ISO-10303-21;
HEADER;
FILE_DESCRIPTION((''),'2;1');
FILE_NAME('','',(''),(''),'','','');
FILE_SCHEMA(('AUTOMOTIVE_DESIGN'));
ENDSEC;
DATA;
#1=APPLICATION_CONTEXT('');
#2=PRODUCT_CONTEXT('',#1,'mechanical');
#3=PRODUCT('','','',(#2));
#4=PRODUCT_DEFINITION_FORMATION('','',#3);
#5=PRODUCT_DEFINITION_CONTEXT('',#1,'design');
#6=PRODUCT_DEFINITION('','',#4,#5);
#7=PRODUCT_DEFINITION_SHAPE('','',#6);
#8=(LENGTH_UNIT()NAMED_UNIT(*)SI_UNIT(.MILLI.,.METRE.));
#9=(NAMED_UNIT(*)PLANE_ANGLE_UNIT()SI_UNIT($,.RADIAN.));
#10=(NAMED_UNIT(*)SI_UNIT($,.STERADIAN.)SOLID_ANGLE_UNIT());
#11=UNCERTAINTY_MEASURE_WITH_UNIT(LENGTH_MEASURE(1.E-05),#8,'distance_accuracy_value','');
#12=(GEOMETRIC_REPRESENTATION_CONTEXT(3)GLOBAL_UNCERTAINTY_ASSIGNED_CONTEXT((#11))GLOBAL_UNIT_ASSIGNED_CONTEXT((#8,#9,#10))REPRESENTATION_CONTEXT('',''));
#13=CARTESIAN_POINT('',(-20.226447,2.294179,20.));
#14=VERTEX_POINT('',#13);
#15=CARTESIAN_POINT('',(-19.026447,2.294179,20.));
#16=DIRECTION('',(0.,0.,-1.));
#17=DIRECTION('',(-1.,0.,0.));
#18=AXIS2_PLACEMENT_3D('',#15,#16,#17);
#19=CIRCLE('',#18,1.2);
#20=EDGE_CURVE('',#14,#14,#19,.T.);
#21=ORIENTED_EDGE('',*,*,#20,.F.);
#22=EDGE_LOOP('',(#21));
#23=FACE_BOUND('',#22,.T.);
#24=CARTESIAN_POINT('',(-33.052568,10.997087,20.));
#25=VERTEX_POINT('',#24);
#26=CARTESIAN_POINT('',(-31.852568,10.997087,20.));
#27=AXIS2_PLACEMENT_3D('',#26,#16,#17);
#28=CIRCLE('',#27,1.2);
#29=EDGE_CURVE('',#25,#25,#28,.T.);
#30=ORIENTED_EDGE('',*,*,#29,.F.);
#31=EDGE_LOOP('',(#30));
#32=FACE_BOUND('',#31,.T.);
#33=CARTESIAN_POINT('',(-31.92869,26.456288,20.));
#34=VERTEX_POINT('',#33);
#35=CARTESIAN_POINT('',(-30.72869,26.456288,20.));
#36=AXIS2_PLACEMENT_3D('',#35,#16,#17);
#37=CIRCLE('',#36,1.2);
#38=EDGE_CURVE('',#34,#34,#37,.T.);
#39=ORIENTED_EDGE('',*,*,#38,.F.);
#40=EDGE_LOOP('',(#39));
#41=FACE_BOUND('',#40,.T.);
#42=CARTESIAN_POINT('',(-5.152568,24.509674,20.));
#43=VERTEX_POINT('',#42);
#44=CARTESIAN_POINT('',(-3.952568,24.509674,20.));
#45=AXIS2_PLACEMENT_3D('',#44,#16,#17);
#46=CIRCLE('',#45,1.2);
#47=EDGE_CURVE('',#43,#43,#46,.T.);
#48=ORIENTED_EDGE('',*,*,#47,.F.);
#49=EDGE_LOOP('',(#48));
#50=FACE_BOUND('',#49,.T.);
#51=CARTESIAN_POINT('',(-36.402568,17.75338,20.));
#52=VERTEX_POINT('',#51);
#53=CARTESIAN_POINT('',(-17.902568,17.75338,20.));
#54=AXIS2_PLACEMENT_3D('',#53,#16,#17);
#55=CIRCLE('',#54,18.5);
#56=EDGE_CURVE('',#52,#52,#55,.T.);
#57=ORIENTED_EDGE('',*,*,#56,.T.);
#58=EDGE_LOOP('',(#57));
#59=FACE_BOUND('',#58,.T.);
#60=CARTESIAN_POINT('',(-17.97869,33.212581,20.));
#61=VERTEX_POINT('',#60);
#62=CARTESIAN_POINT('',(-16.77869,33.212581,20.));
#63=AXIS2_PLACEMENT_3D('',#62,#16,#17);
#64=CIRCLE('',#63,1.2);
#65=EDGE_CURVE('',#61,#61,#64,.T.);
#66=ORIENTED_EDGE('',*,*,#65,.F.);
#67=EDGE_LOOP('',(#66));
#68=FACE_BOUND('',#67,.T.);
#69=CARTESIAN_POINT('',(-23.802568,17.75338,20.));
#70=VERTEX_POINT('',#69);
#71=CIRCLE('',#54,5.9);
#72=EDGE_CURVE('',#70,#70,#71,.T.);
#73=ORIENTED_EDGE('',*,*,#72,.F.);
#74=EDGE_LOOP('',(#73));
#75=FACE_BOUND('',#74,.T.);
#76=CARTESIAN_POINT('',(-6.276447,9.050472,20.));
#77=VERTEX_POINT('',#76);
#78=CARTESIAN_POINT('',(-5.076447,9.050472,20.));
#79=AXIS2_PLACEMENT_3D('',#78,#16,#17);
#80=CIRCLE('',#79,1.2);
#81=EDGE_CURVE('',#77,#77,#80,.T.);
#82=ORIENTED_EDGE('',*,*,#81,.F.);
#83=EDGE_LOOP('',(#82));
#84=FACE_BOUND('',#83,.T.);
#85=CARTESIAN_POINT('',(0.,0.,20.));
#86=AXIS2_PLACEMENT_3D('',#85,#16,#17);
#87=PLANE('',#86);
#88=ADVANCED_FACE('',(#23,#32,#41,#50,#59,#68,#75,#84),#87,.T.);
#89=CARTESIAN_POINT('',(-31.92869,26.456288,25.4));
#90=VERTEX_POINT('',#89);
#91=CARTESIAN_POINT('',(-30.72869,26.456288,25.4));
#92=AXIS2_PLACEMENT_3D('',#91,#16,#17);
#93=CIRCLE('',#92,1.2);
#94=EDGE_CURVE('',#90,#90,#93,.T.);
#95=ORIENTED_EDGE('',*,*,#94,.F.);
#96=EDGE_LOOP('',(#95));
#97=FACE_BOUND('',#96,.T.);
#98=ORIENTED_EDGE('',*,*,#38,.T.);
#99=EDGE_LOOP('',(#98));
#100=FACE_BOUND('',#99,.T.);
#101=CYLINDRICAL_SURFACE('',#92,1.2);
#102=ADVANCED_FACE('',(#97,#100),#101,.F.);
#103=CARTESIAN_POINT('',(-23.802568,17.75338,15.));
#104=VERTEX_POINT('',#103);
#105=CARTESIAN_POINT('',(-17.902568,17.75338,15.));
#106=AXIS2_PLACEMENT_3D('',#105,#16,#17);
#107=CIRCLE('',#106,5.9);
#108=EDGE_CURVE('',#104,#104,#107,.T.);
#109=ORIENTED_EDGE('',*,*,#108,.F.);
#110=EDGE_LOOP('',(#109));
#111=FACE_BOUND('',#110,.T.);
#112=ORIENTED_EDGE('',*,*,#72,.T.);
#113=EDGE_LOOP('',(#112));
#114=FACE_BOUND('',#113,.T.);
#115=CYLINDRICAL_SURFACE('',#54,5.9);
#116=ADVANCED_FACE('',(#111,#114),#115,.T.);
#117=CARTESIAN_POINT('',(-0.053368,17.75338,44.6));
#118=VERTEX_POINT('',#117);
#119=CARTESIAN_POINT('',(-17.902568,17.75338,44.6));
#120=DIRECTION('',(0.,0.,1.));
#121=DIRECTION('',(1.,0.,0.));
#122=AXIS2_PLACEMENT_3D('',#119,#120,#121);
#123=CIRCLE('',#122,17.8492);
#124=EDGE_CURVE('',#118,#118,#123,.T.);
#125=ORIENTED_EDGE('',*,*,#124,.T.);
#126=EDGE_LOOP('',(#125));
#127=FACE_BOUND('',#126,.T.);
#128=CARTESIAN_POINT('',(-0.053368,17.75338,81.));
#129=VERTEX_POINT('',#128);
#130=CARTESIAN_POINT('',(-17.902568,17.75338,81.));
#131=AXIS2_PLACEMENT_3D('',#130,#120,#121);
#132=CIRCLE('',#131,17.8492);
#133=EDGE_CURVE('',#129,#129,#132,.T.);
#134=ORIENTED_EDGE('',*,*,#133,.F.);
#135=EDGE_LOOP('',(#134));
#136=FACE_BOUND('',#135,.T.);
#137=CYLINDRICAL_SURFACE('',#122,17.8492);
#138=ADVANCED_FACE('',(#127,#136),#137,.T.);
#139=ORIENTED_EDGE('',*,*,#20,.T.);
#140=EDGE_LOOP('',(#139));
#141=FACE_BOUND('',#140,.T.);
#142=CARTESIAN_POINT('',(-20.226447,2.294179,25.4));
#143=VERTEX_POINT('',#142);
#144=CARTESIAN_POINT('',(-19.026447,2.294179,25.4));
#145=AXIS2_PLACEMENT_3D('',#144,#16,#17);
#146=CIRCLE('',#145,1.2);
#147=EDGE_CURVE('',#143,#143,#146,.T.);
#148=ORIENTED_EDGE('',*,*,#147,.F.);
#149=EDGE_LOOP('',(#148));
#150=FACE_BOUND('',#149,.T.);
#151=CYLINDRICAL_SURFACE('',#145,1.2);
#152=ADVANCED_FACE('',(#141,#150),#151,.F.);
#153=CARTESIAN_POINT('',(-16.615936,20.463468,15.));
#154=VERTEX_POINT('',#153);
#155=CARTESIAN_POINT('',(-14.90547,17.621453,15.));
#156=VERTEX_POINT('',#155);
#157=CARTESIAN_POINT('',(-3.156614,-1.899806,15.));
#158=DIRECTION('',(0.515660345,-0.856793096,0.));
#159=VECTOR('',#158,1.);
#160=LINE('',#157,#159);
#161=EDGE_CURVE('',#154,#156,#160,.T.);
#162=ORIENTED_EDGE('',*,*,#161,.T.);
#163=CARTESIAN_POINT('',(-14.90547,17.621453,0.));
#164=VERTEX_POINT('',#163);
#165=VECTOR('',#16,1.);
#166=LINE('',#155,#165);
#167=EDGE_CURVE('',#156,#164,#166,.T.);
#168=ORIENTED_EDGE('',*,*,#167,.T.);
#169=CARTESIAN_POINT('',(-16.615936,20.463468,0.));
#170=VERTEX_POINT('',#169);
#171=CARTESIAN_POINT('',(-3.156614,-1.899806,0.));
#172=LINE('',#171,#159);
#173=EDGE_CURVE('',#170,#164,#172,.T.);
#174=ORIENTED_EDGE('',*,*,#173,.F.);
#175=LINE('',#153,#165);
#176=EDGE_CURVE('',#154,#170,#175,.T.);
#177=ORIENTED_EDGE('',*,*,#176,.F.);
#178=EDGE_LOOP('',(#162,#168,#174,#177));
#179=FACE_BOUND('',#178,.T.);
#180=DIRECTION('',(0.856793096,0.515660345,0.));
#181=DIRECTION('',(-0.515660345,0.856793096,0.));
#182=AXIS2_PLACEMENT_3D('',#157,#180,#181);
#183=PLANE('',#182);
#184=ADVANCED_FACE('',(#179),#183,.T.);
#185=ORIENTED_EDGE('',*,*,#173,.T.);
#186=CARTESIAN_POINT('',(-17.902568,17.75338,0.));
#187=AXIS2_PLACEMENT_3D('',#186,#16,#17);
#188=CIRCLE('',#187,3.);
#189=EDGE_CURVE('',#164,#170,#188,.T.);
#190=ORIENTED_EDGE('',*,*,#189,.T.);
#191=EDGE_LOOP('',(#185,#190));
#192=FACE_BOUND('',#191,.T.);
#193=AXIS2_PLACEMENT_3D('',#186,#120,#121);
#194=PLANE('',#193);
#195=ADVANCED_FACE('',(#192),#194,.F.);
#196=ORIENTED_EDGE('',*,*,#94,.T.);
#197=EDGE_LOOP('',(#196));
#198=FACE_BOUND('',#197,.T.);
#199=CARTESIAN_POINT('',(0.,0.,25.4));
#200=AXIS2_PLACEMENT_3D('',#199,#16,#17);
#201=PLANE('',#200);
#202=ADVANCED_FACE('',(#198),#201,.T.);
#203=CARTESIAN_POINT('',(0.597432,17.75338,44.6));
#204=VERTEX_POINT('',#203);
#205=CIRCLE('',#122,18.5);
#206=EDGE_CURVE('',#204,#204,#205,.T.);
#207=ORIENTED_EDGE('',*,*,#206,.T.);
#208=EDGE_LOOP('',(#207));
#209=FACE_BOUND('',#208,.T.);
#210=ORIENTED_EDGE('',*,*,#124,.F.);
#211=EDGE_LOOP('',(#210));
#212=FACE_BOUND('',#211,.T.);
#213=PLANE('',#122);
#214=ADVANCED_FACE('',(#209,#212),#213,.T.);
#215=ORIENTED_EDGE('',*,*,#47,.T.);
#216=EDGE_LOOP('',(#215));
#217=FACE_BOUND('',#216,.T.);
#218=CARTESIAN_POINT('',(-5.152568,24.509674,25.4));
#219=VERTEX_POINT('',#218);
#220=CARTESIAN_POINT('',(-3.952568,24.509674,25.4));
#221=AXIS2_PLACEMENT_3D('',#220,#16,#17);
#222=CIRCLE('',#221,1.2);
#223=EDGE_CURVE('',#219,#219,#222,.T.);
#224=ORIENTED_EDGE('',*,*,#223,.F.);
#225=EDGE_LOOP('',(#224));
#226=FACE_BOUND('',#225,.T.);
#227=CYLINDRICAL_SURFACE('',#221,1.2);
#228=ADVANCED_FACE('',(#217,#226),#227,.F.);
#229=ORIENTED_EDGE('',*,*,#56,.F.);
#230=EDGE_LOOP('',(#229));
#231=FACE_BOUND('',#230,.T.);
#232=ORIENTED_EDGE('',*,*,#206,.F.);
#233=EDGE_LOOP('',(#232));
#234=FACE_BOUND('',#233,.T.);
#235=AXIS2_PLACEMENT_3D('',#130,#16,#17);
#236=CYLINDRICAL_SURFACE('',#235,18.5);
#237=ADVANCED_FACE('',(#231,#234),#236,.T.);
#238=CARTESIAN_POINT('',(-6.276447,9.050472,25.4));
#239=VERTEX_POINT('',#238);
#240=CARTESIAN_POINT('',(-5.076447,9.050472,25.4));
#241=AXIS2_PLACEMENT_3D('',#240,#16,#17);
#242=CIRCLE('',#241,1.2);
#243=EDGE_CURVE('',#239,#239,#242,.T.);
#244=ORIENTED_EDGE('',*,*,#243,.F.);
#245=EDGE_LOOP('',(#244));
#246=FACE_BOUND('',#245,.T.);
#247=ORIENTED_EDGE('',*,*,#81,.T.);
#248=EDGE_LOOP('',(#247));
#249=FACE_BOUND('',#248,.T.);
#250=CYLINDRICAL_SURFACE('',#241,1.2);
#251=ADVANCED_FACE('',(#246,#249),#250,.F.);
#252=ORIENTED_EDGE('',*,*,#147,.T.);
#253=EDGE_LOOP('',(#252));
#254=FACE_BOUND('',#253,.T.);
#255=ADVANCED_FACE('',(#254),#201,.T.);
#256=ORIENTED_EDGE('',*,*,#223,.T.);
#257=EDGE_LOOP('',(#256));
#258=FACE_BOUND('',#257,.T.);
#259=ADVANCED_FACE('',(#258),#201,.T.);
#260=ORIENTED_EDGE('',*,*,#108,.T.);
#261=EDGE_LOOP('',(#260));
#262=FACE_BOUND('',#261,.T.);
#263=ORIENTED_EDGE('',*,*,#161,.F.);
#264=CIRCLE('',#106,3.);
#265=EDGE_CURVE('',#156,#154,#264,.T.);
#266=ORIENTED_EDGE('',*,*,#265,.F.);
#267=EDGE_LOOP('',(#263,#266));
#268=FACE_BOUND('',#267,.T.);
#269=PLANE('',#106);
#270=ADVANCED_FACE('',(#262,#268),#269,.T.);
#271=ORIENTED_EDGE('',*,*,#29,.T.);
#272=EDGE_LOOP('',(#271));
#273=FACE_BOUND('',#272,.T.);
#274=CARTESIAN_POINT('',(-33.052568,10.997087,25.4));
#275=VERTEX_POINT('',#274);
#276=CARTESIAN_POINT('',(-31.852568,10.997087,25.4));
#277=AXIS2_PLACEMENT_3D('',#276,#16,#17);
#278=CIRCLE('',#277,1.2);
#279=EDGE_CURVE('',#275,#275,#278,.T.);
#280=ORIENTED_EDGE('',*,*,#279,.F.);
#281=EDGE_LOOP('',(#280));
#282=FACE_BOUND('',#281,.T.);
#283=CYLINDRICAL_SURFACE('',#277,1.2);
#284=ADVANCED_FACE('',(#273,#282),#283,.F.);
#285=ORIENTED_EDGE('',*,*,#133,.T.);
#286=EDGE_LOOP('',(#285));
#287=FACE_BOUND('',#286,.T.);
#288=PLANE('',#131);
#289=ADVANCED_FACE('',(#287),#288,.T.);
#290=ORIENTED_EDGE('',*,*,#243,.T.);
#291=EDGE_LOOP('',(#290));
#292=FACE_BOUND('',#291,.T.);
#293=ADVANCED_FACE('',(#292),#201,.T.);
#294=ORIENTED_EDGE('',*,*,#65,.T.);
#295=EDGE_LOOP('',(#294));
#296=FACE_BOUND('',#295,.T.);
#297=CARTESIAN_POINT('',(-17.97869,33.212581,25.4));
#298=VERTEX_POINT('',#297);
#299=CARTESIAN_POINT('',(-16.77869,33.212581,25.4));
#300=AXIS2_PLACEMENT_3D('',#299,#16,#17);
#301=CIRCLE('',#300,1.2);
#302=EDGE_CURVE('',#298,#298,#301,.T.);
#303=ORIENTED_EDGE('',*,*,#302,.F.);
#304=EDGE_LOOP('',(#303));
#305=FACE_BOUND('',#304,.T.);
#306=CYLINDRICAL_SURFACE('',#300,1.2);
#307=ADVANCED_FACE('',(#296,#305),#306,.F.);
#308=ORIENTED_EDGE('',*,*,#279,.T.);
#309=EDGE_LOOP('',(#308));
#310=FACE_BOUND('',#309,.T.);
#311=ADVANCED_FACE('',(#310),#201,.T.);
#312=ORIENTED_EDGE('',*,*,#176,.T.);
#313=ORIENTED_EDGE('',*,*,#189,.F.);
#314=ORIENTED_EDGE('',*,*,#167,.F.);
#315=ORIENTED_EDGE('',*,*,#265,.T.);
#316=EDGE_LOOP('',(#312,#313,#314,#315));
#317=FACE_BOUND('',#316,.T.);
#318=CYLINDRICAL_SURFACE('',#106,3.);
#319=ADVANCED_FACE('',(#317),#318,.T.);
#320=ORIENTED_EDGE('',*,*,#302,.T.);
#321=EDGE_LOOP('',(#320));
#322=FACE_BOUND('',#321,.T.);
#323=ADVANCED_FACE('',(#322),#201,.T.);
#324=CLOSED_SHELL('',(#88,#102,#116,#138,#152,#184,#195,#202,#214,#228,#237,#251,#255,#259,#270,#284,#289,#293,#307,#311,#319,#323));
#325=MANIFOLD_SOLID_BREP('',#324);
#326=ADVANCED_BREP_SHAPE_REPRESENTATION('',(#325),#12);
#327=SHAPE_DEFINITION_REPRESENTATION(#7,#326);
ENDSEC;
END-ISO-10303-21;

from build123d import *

# Parameters (mm, degrees)
SKETCH2_R           = 18.499999957
BOSS_EXTRUDE1_DEPTH = 81
SKETCH3_R           = 34.5
SKETCH3_R_2         = 5.9
CUT_EXTRUDE1_DEPTH  = 20
SKETCH4_R           = 5.9
SKETCH4_R_2         = 3
CUT_EXTRUDE2_DEPTH  = 15
SKETCH6_R           = 34.5
SKETCH6_R_2         = 17.849200014
CUT_EXTRUDE3_DEPTH  = 36.4
CUT_EXTRUDE11_DEPTH = 15
CUT_EXTRUDE13_DEPTH = 25.4


with BuildPart() as part:
    # Sketch2 → Boss-Extrude1 (new body)
    with BuildSketch(Plane.XY):
        with Locations((-17.902568237, 17.753380168)):
            Circle(SKETCH2_R)
    extrude(amount=BOSS_EXTRUDE1_DEPTH)

    # Sketch3 → Cut-Extrude1 (cut)
    with BuildSketch(Plane(origin=(0, 0, 0), x_dir=(-1, 0, 0), z_dir=(0, 0, -1))):
        with Locations((17.902568237, 17.753380168)):
            Circle(SKETCH3_R)
        with Locations((17.902568237, 17.753380168)):
            Circle(SKETCH3_R_2, mode=Mode.SUBTRACT)
    extrude(amount=-CUT_EXTRUDE1_DEPTH, mode=Mode.SUBTRACT)

    # Sketch4 → Cut-Extrude2 (cut)
    with BuildSketch(Plane(origin=(0, 0, 0), x_dir=(-1, 0, 0), z_dir=(0, 0, -1))):
        with Locations((17.902568237, 17.753380168)):
            Circle(SKETCH4_R)
        with Locations((17.902568237, 17.753380168)):
            Circle(SKETCH4_R_2, mode=Mode.SUBTRACT)
    extrude(amount=-CUT_EXTRUDE2_DEPTH, mode=Mode.SUBTRACT)

    # Sketch6 → Cut-Extrude3 (cut)
    with BuildSketch(Plane.XY.offset(81)):
        with Locations((-17.902568237, 17.753380168)):
            Circle(SKETCH6_R)
        with Locations((-17.902568237, 17.753380168)):
            Circle(SKETCH6_R_2, mode=Mode.SUBTRACT)
    extrude(amount=-CUT_EXTRUDE3_DEPTH, mode=Mode.SUBTRACT)

    # Sketch12 → Cut-Extrude11 (cut)
    with BuildSketch(Plane(origin=(0, 0, 0), x_dir=(-1, 0, 0), z_dir=(0, 0, -1))):
        with BuildLine():
            Line((14.905470459, 17.621452506), (15.747198213, 19.020021419))
            Line((15.747198213, 19.020021419), (16.615935607, 20.463468077))
            ThreePointArc((16.615935607, 20.463468077), (15.33218895, 19.300361203), (14.905470459, 17.621452506))
        make_face()
    extrude(amount=-CUT_EXTRUDE11_DEPTH, mode=Mode.SUBTRACT)

    # Sketch13 → Cut-Extrude13 (cut)
    with BuildSketch(Plane(origin=(0, 0, 0), x_dir=(-1, 0, 0), z_dir=(0, 0, -1))):
        with BuildLine():
            ThreePointArc((5.152568237, 24.509673531), (5.099648896, 24.862102191), (4.945558303, 25.18344703))
            Line((4.945558303, 25.18344703), (3.952568237, 24.509673531))
            Line((3.952568237, 24.509673531), (4.039578171, 23.312832158))
            ThreePointArc((4.039578171, 23.312832158), (4.831320739, 23.692486869), (5.152568237, 24.509673531))
        make_face()
        with BuildLine():
            Line((3.952568237, 24.509673531), (4.945558303, 25.18344703))
            ThreePointArc((4.945558303, 25.18344703), (2.872568237, 25.032741404), (4.039578171, 23.312832158))
            Line((4.039578171, 23.312832158), (3.952568237, 24.509673531))
        make_face()
        with BuildLine():
            Line((17.858689924, 32.689513359), (16.778689924, 33.212581232))
            Line((16.778689924, 33.212581232), (15.785699858, 32.538807733))
            ThreePointArc((15.785699858, 32.538807733), (16.865699858, 32.01573986), (17.858689924, 32.689513359))
        make_face()
        with BuildLine():
            Line((15.785699858, 32.538807733), (16.778689924, 33.212581232))
            Line((16.778689924, 33.212581232), (17.858689924, 32.689513359))
            ThreePointArc((17.858689924, 32.689513359), (17.948305245, 32.944253075), (17.978689924, 33.212581232))
            ThreePointArc((17.978689924, 33.212581232), (16.426261264, 34.359661892), (15.785699858, 32.538807733))
        make_face()
        with BuildLine():
            ThreePointArc((6.276446549, 9.050472467), (5.893633211, 9.929224969), (4.989436616, 10.247313839))
            Line((4.989436616, 10.247313839), (5.076446549, 9.050472467))
            Line((5.076446549, 9.050472467), (6.156446549, 8.527404593))
            ThreePointArc((6.156446549, 8.527404593), (6.246061871, 8.782144309), (6.276446549, 9.050472467))
        make_face()
        with BuildLine():
            Line((5.076446549, 9.050472467), (4.989436616, 10.247313839))
            ThreePointArc((4.989436616, 10.247313839), (4.083456483, 8.376698967), (6.156446549, 8.527404593))
            Line((6.156446549, 8.527404593), (5.076446549, 9.050472467))
        make_face()
        with BuildLine():
            ThreePointArc((31.928689924, 26.45628787), (30.997018081, 27.625903191), (29.648689924, 26.979355743))
            Line((29.648689924, 26.979355743), (30.728689924, 26.45628787))
            Line((30.728689924, 26.45628787), (30.815699858, 25.259446497))
            ThreePointArc((30.815699858, 25.259446497), (31.607442426, 25.639101208), (31.928689924, 26.45628787))
        make_face()
        with BuildLine():
            Line((30.728689924, 26.45628787), (29.648689924, 26.979355743))
            ThreePointArc((29.648689924, 26.979355743), (29.735699858, 25.78251437), (30.815699858, 25.259446497))
            Line((30.815699858, 25.259446497), (30.728689924, 26.45628787))
        make_face()
        with BuildLine():
            ThreePointArc((33.052568237, 10.997086806), (32.669754898, 11.875839308), (31.765558303, 12.193928178))
            Line((31.765558303, 12.193928178), (31.852568237, 10.997086806))
            Line((31.852568237, 10.997086806), (30.859578171, 10.323313306))
            ThreePointArc((30.859578171, 10.323313306), (32.204996897, 9.850006146), (33.052568237, 10.997086806))
        make_face()
        with BuildLine():
            Line((31.852568237, 10.997086806), (31.765558303, 12.193928178))
            ThreePointArc((31.765558303, 12.193928178), (30.772568237, 11.520154679), (30.859578171, 10.323313306))
            Line((30.859578171, 10.323313306), (31.852568237, 10.997086806))
        make_face()
        with BuildLine():
            ThreePointArc((20.019436616, 2.967952604), (18.939436616, 3.491020477), (17.946446549, 2.817246977))
            Line((17.946446549, 2.817246977), (19.026446549, 2.294179104))
            Line((19.026446549, 2.294179104), (20.019436616, 2.967952604))
        make_face()
        with BuildLine():
            Line((19.026446549, 2.294179104), (17.946446549, 2.817246977))
            ThreePointArc((17.946446549, 2.817246977), (18.758118392, 1.124563783), (20.226446549, 2.294179104))
            ThreePointArc((20.226446549, 2.294179104), (20.173527209, 2.646607764), (20.019436616, 2.967952604))
            Line((20.019436616, 2.967952604), (19.026446549, 2.294179104))
        make_face()
    extrude(amount=-CUT_EXTRUDE13_DEPTH, mode=Mode.SUBTRACT)


solid = part.part
